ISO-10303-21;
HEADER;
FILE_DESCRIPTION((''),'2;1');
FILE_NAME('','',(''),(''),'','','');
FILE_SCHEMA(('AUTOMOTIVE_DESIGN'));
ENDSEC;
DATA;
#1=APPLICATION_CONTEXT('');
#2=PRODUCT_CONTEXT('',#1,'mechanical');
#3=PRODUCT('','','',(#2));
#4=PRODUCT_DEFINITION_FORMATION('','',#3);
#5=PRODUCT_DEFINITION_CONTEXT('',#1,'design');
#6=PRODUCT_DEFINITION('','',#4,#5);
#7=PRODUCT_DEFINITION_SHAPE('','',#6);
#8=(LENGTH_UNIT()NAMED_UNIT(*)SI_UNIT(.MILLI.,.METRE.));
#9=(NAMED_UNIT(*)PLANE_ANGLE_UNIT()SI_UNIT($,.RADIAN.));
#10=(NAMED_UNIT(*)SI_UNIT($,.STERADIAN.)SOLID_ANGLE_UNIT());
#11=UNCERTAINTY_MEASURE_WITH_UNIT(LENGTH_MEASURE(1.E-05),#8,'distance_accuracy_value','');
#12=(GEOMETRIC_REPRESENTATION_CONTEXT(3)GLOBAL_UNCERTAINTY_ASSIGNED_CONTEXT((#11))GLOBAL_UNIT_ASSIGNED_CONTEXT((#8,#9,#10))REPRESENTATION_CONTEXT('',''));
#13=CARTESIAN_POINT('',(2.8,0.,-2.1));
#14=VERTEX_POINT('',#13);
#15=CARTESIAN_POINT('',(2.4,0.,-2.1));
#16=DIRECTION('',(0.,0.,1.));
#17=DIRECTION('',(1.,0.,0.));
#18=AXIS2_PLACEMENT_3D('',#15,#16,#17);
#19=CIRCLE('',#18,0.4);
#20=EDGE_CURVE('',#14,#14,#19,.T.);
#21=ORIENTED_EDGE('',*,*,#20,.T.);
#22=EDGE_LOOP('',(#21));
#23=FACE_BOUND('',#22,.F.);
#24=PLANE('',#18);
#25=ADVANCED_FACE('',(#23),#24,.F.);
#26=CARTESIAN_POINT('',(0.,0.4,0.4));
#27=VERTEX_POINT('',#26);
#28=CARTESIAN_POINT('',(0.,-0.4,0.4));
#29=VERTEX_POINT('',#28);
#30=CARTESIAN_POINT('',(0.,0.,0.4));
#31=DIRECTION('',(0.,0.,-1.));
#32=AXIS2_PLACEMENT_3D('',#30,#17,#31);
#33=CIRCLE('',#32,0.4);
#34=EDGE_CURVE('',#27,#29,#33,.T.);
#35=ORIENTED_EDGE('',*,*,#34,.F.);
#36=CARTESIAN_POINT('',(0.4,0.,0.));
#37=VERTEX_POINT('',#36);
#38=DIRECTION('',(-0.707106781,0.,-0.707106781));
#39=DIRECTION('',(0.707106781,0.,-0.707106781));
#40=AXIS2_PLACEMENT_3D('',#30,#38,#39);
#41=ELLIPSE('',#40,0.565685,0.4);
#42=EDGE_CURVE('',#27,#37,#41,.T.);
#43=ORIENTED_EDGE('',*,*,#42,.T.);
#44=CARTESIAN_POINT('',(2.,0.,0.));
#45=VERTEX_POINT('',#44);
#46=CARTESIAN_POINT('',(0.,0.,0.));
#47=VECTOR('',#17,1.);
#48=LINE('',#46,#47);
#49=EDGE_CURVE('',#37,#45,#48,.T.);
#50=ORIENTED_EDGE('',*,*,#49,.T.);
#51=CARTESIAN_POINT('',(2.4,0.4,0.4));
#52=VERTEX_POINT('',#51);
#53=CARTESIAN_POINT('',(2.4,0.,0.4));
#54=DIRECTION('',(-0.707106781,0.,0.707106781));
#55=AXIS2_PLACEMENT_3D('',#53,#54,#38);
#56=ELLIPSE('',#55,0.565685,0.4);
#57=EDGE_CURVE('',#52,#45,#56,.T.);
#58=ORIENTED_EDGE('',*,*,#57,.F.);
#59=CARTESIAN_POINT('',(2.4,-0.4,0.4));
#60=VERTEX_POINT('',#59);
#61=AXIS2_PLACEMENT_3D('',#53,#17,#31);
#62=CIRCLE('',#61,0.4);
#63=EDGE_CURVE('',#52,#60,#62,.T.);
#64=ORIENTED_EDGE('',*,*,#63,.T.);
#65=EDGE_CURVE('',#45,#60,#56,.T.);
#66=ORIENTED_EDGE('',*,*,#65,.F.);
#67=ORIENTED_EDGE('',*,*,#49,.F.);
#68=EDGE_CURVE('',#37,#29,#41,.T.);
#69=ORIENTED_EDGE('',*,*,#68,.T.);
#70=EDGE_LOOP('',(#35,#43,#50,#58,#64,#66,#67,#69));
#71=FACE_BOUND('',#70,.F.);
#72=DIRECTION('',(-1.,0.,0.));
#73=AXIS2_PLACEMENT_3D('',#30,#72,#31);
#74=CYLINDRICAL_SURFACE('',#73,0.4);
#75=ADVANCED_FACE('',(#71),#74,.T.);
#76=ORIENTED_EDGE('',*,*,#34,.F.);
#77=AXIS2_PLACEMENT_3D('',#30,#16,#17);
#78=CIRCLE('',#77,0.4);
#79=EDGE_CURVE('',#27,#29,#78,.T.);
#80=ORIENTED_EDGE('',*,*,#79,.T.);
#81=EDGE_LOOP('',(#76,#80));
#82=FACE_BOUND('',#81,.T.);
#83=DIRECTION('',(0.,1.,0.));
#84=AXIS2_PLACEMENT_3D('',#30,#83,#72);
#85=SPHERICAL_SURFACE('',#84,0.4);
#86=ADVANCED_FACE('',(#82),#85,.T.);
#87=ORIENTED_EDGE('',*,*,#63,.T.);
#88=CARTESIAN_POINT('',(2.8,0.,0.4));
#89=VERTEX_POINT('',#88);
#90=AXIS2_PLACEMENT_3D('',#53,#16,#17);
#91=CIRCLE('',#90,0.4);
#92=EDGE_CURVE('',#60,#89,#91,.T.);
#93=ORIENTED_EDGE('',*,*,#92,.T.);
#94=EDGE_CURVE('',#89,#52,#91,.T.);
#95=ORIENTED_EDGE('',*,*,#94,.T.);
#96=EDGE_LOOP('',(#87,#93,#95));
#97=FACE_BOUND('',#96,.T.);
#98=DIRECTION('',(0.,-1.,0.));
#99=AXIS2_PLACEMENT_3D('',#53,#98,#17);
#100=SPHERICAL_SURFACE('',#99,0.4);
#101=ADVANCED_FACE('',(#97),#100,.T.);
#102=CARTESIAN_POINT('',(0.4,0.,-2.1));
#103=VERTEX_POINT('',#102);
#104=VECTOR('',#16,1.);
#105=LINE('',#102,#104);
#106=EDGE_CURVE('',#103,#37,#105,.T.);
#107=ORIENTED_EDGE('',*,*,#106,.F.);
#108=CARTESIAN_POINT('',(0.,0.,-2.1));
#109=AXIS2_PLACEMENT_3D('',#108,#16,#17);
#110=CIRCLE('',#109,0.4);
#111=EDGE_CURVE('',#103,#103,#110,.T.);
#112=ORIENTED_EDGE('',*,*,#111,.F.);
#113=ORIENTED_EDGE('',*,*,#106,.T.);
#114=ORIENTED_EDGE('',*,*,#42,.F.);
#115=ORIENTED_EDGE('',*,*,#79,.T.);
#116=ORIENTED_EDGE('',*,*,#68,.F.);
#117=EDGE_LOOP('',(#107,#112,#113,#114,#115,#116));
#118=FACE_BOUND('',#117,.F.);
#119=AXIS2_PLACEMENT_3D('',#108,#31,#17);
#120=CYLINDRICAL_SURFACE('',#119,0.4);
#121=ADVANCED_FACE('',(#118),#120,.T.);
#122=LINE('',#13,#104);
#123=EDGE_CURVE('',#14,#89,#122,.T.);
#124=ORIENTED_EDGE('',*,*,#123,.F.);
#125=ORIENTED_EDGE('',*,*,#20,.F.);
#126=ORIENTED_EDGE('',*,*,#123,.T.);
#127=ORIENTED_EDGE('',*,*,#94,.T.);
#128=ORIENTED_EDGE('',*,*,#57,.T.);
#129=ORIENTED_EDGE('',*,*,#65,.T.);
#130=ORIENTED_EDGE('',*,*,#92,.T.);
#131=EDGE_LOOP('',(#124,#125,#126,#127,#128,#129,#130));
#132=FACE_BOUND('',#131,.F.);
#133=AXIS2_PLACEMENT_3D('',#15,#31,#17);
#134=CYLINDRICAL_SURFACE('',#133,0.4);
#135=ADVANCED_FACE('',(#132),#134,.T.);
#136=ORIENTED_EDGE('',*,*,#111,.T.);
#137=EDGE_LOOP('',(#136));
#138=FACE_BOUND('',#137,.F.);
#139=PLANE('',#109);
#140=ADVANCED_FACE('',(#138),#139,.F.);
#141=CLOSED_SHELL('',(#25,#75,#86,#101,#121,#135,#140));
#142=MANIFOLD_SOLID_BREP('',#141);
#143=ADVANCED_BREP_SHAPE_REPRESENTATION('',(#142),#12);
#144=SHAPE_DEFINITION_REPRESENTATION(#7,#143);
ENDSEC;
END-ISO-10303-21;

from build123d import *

# Parameters (mm, degrees)
CYLINDER003_R     = 0.4
CYLINDER003_DEPTH = 2.4
CYLINDER004_R     = 0.4
CYLINDER004_DEPTH = 2.5
SPHERE_ANGLE      = 90
SPHERE001_ANGLE   = 90
CYLINDER002_R     = 0.4
CYLINDER002_DEPTH = 2.5


with BuildPart() as cylinder003:
    # Cylinder003 → Cylinder003 (new body)
    with BuildSketch(Plane(origin=(0, 0, 0.4), x_dir=(0, 0, -1), z_dir=(1, 0, 0))):
        Circle(CYLINDER003_R)
    extrude(amount=CYLINDER003_DEPTH)


with BuildPart() as cylinder004:
    # Cylinder004 → Cylinder004 (new body)
    with BuildSketch(Plane(origin=(2.4, 0, -2.1), x_dir=(1, 0, 0), z_dir=(0, 0, 1))):
        Circle(CYLINDER004_R)
    extrude(amount=CYLINDER004_DEPTH)


with BuildPart() as sphere:
    # Sphere → Sphere (revolve)
    with BuildSketch(Plane(origin=(0, 0, 0.4), x_dir=(-1, 0, 0), z_dir=(0, 0, -1))):
        with BuildLine():
            ThreePointArc((0, -0.4), (0.4, 0), (0, 0.4))
            Line((0, 0.4), (0, -0.4))
        make_face()
    revolve(axis=Axis((0, 0, 0.4), (0, 1, 0)), revolution_arc=SPHERE_ANGLE)


with BuildPart() as sphere001:
    # Sphere001 → Sphere001 (revolve)
    with BuildSketch(Plane(origin=(2.4, 0, 0.4), x_dir=(1, 0, 0), z_dir=(0, 0, -1))):
        with BuildLine():
            ThreePointArc((0, -0.4), (0.4, 0), (0, 0.4))
            Line((0, 0.4), (0, -0.4))
        make_face()
    revolve(axis=Axis((2.4, 0, 0.4), (0, -1, 0)), revolution_arc=SPHERE001_ANGLE)


with BuildPart() as jumper_2_40mm:
    # Cylinder002 → Cylinder002 (new body)
    with BuildSketch(Plane.XY.offset(-2.1)):
        Circle(CYLINDER002_R)
    extrude(amount=CYLINDER002_DEPTH)

    # Fusion001: union Cylinder003, Cylinder004, Sphere, Sphere001
    add(cylinder003.part)
    add(cylinder004.part)
    add(sphere.part)
    add(sphere001.part)


solid = jumper_2_40mm.part
